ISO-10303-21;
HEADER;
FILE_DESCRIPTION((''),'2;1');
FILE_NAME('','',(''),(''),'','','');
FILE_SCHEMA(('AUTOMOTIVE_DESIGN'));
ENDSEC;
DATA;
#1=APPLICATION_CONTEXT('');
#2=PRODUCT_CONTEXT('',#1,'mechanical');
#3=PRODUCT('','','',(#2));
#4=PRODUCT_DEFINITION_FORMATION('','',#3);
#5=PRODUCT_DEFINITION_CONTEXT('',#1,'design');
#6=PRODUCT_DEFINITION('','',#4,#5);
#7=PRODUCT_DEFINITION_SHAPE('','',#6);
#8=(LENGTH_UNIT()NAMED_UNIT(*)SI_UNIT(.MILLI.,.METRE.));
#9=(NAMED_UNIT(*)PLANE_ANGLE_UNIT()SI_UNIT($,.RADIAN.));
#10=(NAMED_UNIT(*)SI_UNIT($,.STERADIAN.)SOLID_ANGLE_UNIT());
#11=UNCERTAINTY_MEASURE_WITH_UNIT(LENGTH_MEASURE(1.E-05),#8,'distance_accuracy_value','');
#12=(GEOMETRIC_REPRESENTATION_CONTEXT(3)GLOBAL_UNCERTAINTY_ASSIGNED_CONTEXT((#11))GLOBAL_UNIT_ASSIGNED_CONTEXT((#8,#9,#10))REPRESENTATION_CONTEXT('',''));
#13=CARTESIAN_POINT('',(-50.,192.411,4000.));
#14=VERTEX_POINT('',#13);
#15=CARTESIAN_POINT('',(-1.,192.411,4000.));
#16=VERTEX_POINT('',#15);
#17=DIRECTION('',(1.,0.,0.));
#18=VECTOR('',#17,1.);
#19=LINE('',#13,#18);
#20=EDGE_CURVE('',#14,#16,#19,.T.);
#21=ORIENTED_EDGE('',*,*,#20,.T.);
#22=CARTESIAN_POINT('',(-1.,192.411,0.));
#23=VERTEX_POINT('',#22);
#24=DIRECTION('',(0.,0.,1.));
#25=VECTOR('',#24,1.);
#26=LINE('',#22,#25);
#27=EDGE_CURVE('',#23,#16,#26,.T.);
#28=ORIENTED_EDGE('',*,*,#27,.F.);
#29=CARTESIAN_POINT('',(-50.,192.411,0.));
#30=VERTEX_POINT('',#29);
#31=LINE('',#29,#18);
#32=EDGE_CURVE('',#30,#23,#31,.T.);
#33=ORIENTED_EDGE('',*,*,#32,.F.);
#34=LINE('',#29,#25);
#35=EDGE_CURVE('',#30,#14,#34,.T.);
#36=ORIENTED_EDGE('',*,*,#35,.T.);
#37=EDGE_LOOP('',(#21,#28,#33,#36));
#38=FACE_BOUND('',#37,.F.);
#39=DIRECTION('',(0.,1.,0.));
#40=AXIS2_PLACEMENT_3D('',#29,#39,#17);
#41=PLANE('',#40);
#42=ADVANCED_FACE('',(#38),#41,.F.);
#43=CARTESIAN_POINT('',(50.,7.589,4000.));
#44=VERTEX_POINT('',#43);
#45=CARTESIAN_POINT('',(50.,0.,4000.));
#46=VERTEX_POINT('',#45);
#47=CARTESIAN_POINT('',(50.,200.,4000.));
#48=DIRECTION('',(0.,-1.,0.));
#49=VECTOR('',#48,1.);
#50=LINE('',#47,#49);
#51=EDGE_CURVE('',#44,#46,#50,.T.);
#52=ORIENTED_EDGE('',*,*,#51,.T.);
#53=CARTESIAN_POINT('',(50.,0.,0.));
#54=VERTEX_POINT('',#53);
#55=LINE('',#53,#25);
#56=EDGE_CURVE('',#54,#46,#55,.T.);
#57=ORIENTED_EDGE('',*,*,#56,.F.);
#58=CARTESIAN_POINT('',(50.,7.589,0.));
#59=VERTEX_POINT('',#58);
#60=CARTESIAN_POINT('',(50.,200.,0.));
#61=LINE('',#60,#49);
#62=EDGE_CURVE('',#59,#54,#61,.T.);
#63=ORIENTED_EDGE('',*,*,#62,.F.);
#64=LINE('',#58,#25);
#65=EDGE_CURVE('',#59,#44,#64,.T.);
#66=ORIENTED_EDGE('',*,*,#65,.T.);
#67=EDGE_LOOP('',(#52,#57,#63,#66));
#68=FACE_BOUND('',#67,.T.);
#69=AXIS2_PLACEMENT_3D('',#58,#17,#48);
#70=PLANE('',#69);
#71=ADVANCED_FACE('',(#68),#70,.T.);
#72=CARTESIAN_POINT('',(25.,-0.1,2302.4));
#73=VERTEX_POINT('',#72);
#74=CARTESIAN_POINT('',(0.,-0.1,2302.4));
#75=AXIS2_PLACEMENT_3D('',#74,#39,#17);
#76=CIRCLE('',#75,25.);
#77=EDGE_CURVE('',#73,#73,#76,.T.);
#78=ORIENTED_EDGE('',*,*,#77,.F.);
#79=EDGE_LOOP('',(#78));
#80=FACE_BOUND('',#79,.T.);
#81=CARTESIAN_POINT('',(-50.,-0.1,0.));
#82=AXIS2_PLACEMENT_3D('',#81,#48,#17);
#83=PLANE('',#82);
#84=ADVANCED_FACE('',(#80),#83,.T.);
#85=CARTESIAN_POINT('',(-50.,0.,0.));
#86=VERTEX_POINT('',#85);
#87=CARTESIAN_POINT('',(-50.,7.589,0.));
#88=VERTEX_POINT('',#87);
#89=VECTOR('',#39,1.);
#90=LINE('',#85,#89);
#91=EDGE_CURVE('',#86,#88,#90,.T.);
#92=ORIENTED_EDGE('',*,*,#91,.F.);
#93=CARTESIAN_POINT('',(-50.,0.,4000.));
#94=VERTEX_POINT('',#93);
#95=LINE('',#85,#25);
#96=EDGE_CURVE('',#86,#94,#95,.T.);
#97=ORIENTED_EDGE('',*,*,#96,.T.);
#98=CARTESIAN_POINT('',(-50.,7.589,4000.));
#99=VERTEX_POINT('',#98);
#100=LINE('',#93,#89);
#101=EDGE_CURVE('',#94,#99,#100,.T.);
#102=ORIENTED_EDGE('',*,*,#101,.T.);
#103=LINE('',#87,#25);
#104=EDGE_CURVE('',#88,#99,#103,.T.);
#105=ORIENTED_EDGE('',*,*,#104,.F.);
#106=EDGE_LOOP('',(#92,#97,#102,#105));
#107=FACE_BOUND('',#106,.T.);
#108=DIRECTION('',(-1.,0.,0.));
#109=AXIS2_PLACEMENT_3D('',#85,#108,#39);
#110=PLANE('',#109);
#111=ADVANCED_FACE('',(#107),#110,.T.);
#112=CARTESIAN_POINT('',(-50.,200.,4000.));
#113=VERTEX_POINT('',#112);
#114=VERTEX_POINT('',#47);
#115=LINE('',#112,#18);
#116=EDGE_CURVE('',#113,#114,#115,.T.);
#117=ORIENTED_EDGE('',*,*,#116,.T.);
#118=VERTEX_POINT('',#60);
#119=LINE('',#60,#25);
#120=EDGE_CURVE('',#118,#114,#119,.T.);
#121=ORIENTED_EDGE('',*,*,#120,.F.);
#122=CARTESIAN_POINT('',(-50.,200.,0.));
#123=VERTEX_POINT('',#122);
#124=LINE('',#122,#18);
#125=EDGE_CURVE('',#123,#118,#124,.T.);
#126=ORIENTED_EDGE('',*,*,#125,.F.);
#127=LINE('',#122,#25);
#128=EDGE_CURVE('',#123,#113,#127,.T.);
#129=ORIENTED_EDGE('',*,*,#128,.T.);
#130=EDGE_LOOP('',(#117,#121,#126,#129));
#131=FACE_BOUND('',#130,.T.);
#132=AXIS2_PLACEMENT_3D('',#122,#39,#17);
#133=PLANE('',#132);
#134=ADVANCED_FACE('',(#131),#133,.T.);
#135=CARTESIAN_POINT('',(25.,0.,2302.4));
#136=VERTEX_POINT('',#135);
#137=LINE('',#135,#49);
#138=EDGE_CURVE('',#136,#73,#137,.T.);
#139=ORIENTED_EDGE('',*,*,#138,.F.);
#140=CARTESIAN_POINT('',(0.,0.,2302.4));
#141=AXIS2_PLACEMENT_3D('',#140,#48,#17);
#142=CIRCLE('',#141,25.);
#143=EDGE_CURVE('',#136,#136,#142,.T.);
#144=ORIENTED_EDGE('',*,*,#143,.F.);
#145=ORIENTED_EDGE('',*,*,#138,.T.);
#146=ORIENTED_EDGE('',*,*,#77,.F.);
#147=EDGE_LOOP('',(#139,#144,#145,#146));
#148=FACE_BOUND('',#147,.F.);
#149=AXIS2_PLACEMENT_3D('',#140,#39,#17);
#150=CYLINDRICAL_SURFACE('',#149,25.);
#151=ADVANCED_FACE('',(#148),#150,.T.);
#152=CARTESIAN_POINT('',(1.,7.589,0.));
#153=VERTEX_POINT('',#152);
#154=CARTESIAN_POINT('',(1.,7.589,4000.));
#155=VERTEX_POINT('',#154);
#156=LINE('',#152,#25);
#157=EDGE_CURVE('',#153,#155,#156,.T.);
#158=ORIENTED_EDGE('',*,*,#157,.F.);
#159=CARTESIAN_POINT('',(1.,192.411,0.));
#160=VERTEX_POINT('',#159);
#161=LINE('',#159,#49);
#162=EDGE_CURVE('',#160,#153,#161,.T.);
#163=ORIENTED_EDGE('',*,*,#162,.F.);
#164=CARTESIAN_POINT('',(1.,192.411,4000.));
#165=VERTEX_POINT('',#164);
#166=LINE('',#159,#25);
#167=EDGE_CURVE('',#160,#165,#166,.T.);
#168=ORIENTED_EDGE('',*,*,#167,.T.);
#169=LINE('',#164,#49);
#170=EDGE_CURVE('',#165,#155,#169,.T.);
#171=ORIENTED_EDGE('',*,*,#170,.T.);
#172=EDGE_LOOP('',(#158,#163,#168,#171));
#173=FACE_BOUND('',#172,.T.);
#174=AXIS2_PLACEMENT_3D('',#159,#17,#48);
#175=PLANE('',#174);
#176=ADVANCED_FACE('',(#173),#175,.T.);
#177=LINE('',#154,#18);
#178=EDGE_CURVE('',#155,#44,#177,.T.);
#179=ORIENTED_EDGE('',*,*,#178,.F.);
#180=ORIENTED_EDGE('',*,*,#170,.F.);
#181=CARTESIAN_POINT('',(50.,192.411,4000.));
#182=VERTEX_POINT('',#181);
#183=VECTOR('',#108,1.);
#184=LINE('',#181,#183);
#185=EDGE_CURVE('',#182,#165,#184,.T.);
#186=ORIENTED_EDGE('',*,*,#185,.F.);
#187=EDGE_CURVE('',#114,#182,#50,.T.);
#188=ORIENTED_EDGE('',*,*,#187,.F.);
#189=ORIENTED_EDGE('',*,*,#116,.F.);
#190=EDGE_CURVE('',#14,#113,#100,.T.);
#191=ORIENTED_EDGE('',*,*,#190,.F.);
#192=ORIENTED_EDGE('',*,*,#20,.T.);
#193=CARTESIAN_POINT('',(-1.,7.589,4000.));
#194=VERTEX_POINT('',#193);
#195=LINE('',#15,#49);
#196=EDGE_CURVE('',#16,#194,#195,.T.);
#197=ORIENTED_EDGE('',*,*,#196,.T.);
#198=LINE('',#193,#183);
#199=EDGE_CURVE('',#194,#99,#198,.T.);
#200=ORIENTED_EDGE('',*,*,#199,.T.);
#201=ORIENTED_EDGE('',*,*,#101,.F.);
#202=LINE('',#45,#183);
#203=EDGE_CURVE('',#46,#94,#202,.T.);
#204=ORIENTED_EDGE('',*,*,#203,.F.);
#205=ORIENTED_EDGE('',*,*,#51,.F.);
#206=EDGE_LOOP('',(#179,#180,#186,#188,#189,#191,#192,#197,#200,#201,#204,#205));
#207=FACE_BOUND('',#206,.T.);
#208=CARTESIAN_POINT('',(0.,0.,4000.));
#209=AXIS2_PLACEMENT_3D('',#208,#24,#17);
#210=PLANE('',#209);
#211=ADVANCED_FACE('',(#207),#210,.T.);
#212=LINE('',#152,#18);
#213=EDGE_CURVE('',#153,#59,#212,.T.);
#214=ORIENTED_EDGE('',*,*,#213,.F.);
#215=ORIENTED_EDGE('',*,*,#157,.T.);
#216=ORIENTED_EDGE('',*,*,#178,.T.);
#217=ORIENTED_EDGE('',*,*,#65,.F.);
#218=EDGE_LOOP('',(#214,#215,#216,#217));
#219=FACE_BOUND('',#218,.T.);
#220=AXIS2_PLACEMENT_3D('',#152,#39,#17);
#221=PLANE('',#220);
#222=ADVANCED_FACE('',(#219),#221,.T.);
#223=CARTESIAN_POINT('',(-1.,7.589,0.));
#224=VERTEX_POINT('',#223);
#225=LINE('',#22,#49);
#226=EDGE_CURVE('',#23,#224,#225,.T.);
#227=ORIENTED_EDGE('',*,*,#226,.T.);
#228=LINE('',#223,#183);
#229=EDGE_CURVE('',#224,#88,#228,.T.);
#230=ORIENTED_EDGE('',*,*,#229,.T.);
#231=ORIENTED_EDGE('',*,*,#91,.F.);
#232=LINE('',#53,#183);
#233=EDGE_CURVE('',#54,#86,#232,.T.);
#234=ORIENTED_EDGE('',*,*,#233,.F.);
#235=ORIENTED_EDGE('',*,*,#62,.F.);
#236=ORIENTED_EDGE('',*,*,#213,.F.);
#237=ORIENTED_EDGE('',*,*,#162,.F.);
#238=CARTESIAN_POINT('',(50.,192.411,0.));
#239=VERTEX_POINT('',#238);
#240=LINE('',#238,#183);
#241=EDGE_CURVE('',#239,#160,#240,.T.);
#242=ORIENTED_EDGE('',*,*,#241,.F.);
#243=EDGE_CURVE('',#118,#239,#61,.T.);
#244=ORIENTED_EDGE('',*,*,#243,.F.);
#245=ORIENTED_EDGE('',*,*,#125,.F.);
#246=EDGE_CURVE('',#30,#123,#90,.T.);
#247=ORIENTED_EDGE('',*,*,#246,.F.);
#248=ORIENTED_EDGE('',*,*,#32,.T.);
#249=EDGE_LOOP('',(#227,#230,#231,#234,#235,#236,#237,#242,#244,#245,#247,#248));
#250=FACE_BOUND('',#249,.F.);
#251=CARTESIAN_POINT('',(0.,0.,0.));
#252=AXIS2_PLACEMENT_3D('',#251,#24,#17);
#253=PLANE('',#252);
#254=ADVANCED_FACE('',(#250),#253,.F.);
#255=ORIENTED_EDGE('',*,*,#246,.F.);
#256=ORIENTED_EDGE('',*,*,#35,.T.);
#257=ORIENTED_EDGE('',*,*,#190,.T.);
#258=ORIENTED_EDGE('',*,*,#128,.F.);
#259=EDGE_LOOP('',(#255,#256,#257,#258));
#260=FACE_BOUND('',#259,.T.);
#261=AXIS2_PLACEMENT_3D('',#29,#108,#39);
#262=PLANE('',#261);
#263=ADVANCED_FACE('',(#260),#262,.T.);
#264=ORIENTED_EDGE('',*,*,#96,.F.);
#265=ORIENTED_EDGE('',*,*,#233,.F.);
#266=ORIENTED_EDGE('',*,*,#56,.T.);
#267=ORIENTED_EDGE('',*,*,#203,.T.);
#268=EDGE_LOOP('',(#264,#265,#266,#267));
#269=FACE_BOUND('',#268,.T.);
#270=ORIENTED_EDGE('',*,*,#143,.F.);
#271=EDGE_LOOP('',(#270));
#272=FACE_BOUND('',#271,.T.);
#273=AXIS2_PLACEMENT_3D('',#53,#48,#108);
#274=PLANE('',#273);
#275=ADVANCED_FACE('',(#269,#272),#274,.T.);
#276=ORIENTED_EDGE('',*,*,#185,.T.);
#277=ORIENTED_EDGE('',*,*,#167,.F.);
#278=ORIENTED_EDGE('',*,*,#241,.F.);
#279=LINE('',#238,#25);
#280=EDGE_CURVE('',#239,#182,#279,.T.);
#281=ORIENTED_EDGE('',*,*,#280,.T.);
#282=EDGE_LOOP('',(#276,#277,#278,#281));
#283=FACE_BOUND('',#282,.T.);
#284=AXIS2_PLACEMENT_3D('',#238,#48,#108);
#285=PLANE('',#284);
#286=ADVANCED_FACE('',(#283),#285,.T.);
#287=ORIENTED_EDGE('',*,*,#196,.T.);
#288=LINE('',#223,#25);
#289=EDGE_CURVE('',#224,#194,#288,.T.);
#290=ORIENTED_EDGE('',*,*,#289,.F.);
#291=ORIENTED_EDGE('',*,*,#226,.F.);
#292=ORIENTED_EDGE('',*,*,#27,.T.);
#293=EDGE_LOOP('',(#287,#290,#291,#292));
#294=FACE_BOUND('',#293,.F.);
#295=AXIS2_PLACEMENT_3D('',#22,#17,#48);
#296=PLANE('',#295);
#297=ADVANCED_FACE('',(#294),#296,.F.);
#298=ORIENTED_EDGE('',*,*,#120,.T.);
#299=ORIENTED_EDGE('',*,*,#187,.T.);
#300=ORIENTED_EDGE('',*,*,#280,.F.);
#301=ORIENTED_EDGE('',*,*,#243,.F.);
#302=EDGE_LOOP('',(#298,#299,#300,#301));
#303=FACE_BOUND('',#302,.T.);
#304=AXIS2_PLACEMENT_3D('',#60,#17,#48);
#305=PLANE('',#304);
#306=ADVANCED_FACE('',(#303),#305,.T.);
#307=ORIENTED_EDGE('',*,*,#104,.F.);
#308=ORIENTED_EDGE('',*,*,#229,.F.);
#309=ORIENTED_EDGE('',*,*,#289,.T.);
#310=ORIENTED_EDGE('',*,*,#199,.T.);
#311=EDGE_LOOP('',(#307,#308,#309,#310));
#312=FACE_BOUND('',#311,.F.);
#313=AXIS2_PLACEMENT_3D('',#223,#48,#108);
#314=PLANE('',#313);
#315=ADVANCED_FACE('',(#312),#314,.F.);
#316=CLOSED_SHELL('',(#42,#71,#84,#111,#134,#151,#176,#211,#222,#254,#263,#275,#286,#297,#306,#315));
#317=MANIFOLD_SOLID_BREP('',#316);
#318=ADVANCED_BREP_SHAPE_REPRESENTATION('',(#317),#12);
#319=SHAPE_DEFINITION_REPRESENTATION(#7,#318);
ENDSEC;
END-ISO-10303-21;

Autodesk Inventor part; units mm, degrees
ref_plane "YZ Plane" through (0, 0, 0) normal (1, 0, 0) x (0, 1, 0)
ref_plane "XZ Plane" through (0, 0, 0) normal (0, 1, 0) x (-1, 0, 0)
ref_plane "XY Plane" through (0, 0, 0) normal (0, 0, 1) x (1, 0, 0)
sketch "Sketch1" plane through (0, 0, 0) normal (0, 1, 0) x (-1, 0, 0)
  point P0 (0, 0)
sketch "Sketch2" plane through (0, 0, 0) normal (0, 0, 1) x (1, 0, 0)
  line L0 (-50, 200) -> (50, 200)
  line L1 (50, 200) -> (50, 0)
  line L2 (50, 0) -> (-50, 0)
  line L3 (-50, 0) -> (-50, 200)
  line L4 (-50, 192.411) -> (-1, 192.411)
  line L5 (-1, 192.411) -> (-1, 7.589)
  line L6 (-1, 7.589) -> (-50, 7.589)
  line L7 (-50, 7.589) -> (-50, 192.411)
  line L8 (50, 192.411) -> (1, 192.411)
  line L9 (1, 192.411) -> (1, 7.589)
  line L10 (1, 7.589) -> (50, 7.589)
  line L11 (50, 7.589) -> (50, 192.411)
  point P0 (0, 0)
  point P1 (0, 0)
  dimension "d0" = 100
  dimension "d1" = 2
  dimension "d2" = 7.589
  dimension "d3" = 7.589
  dimension "d4" = 200
extrude "Extrusion1" add sketch "Sketch2" along normal blind 4000 contours L0 L1 L8 L9 L10 L2 L3 L6 L5 L4
sketch "Sketch3" plane through (-50, 0, 0) normal (0, -1, 0) x (1, 0, 0)
  line L0 (51, 0) -> (51, 4000) projected
  line L1 (0, 0) -> (0, 4000) projected
  line L2 (100, 0) -> (100, 4000) projected
  line L3 (0, 0) -> (0, 4000) projected
  line L4 (0, 2302.4) -> (100, 2302.4)
  line L5 (0, 0) -> (100, 0) projected
  circle A0 centre (50, 2302.4) radius 25
  point P0 (50, 0)
  point P1 (50, 0)
  dimension "d8" = 50
  dimension "d12" = 1697.6
extrude "Extrusion2" add sketch "Sketch3" along normal blind 0.1 contours A0 L4 L0 | L0 L4 A0 | L4 A0 L0 | L0 A0 L4
equation "\"d3\" = d2"
properties material "Aluminum 2014-T6"
